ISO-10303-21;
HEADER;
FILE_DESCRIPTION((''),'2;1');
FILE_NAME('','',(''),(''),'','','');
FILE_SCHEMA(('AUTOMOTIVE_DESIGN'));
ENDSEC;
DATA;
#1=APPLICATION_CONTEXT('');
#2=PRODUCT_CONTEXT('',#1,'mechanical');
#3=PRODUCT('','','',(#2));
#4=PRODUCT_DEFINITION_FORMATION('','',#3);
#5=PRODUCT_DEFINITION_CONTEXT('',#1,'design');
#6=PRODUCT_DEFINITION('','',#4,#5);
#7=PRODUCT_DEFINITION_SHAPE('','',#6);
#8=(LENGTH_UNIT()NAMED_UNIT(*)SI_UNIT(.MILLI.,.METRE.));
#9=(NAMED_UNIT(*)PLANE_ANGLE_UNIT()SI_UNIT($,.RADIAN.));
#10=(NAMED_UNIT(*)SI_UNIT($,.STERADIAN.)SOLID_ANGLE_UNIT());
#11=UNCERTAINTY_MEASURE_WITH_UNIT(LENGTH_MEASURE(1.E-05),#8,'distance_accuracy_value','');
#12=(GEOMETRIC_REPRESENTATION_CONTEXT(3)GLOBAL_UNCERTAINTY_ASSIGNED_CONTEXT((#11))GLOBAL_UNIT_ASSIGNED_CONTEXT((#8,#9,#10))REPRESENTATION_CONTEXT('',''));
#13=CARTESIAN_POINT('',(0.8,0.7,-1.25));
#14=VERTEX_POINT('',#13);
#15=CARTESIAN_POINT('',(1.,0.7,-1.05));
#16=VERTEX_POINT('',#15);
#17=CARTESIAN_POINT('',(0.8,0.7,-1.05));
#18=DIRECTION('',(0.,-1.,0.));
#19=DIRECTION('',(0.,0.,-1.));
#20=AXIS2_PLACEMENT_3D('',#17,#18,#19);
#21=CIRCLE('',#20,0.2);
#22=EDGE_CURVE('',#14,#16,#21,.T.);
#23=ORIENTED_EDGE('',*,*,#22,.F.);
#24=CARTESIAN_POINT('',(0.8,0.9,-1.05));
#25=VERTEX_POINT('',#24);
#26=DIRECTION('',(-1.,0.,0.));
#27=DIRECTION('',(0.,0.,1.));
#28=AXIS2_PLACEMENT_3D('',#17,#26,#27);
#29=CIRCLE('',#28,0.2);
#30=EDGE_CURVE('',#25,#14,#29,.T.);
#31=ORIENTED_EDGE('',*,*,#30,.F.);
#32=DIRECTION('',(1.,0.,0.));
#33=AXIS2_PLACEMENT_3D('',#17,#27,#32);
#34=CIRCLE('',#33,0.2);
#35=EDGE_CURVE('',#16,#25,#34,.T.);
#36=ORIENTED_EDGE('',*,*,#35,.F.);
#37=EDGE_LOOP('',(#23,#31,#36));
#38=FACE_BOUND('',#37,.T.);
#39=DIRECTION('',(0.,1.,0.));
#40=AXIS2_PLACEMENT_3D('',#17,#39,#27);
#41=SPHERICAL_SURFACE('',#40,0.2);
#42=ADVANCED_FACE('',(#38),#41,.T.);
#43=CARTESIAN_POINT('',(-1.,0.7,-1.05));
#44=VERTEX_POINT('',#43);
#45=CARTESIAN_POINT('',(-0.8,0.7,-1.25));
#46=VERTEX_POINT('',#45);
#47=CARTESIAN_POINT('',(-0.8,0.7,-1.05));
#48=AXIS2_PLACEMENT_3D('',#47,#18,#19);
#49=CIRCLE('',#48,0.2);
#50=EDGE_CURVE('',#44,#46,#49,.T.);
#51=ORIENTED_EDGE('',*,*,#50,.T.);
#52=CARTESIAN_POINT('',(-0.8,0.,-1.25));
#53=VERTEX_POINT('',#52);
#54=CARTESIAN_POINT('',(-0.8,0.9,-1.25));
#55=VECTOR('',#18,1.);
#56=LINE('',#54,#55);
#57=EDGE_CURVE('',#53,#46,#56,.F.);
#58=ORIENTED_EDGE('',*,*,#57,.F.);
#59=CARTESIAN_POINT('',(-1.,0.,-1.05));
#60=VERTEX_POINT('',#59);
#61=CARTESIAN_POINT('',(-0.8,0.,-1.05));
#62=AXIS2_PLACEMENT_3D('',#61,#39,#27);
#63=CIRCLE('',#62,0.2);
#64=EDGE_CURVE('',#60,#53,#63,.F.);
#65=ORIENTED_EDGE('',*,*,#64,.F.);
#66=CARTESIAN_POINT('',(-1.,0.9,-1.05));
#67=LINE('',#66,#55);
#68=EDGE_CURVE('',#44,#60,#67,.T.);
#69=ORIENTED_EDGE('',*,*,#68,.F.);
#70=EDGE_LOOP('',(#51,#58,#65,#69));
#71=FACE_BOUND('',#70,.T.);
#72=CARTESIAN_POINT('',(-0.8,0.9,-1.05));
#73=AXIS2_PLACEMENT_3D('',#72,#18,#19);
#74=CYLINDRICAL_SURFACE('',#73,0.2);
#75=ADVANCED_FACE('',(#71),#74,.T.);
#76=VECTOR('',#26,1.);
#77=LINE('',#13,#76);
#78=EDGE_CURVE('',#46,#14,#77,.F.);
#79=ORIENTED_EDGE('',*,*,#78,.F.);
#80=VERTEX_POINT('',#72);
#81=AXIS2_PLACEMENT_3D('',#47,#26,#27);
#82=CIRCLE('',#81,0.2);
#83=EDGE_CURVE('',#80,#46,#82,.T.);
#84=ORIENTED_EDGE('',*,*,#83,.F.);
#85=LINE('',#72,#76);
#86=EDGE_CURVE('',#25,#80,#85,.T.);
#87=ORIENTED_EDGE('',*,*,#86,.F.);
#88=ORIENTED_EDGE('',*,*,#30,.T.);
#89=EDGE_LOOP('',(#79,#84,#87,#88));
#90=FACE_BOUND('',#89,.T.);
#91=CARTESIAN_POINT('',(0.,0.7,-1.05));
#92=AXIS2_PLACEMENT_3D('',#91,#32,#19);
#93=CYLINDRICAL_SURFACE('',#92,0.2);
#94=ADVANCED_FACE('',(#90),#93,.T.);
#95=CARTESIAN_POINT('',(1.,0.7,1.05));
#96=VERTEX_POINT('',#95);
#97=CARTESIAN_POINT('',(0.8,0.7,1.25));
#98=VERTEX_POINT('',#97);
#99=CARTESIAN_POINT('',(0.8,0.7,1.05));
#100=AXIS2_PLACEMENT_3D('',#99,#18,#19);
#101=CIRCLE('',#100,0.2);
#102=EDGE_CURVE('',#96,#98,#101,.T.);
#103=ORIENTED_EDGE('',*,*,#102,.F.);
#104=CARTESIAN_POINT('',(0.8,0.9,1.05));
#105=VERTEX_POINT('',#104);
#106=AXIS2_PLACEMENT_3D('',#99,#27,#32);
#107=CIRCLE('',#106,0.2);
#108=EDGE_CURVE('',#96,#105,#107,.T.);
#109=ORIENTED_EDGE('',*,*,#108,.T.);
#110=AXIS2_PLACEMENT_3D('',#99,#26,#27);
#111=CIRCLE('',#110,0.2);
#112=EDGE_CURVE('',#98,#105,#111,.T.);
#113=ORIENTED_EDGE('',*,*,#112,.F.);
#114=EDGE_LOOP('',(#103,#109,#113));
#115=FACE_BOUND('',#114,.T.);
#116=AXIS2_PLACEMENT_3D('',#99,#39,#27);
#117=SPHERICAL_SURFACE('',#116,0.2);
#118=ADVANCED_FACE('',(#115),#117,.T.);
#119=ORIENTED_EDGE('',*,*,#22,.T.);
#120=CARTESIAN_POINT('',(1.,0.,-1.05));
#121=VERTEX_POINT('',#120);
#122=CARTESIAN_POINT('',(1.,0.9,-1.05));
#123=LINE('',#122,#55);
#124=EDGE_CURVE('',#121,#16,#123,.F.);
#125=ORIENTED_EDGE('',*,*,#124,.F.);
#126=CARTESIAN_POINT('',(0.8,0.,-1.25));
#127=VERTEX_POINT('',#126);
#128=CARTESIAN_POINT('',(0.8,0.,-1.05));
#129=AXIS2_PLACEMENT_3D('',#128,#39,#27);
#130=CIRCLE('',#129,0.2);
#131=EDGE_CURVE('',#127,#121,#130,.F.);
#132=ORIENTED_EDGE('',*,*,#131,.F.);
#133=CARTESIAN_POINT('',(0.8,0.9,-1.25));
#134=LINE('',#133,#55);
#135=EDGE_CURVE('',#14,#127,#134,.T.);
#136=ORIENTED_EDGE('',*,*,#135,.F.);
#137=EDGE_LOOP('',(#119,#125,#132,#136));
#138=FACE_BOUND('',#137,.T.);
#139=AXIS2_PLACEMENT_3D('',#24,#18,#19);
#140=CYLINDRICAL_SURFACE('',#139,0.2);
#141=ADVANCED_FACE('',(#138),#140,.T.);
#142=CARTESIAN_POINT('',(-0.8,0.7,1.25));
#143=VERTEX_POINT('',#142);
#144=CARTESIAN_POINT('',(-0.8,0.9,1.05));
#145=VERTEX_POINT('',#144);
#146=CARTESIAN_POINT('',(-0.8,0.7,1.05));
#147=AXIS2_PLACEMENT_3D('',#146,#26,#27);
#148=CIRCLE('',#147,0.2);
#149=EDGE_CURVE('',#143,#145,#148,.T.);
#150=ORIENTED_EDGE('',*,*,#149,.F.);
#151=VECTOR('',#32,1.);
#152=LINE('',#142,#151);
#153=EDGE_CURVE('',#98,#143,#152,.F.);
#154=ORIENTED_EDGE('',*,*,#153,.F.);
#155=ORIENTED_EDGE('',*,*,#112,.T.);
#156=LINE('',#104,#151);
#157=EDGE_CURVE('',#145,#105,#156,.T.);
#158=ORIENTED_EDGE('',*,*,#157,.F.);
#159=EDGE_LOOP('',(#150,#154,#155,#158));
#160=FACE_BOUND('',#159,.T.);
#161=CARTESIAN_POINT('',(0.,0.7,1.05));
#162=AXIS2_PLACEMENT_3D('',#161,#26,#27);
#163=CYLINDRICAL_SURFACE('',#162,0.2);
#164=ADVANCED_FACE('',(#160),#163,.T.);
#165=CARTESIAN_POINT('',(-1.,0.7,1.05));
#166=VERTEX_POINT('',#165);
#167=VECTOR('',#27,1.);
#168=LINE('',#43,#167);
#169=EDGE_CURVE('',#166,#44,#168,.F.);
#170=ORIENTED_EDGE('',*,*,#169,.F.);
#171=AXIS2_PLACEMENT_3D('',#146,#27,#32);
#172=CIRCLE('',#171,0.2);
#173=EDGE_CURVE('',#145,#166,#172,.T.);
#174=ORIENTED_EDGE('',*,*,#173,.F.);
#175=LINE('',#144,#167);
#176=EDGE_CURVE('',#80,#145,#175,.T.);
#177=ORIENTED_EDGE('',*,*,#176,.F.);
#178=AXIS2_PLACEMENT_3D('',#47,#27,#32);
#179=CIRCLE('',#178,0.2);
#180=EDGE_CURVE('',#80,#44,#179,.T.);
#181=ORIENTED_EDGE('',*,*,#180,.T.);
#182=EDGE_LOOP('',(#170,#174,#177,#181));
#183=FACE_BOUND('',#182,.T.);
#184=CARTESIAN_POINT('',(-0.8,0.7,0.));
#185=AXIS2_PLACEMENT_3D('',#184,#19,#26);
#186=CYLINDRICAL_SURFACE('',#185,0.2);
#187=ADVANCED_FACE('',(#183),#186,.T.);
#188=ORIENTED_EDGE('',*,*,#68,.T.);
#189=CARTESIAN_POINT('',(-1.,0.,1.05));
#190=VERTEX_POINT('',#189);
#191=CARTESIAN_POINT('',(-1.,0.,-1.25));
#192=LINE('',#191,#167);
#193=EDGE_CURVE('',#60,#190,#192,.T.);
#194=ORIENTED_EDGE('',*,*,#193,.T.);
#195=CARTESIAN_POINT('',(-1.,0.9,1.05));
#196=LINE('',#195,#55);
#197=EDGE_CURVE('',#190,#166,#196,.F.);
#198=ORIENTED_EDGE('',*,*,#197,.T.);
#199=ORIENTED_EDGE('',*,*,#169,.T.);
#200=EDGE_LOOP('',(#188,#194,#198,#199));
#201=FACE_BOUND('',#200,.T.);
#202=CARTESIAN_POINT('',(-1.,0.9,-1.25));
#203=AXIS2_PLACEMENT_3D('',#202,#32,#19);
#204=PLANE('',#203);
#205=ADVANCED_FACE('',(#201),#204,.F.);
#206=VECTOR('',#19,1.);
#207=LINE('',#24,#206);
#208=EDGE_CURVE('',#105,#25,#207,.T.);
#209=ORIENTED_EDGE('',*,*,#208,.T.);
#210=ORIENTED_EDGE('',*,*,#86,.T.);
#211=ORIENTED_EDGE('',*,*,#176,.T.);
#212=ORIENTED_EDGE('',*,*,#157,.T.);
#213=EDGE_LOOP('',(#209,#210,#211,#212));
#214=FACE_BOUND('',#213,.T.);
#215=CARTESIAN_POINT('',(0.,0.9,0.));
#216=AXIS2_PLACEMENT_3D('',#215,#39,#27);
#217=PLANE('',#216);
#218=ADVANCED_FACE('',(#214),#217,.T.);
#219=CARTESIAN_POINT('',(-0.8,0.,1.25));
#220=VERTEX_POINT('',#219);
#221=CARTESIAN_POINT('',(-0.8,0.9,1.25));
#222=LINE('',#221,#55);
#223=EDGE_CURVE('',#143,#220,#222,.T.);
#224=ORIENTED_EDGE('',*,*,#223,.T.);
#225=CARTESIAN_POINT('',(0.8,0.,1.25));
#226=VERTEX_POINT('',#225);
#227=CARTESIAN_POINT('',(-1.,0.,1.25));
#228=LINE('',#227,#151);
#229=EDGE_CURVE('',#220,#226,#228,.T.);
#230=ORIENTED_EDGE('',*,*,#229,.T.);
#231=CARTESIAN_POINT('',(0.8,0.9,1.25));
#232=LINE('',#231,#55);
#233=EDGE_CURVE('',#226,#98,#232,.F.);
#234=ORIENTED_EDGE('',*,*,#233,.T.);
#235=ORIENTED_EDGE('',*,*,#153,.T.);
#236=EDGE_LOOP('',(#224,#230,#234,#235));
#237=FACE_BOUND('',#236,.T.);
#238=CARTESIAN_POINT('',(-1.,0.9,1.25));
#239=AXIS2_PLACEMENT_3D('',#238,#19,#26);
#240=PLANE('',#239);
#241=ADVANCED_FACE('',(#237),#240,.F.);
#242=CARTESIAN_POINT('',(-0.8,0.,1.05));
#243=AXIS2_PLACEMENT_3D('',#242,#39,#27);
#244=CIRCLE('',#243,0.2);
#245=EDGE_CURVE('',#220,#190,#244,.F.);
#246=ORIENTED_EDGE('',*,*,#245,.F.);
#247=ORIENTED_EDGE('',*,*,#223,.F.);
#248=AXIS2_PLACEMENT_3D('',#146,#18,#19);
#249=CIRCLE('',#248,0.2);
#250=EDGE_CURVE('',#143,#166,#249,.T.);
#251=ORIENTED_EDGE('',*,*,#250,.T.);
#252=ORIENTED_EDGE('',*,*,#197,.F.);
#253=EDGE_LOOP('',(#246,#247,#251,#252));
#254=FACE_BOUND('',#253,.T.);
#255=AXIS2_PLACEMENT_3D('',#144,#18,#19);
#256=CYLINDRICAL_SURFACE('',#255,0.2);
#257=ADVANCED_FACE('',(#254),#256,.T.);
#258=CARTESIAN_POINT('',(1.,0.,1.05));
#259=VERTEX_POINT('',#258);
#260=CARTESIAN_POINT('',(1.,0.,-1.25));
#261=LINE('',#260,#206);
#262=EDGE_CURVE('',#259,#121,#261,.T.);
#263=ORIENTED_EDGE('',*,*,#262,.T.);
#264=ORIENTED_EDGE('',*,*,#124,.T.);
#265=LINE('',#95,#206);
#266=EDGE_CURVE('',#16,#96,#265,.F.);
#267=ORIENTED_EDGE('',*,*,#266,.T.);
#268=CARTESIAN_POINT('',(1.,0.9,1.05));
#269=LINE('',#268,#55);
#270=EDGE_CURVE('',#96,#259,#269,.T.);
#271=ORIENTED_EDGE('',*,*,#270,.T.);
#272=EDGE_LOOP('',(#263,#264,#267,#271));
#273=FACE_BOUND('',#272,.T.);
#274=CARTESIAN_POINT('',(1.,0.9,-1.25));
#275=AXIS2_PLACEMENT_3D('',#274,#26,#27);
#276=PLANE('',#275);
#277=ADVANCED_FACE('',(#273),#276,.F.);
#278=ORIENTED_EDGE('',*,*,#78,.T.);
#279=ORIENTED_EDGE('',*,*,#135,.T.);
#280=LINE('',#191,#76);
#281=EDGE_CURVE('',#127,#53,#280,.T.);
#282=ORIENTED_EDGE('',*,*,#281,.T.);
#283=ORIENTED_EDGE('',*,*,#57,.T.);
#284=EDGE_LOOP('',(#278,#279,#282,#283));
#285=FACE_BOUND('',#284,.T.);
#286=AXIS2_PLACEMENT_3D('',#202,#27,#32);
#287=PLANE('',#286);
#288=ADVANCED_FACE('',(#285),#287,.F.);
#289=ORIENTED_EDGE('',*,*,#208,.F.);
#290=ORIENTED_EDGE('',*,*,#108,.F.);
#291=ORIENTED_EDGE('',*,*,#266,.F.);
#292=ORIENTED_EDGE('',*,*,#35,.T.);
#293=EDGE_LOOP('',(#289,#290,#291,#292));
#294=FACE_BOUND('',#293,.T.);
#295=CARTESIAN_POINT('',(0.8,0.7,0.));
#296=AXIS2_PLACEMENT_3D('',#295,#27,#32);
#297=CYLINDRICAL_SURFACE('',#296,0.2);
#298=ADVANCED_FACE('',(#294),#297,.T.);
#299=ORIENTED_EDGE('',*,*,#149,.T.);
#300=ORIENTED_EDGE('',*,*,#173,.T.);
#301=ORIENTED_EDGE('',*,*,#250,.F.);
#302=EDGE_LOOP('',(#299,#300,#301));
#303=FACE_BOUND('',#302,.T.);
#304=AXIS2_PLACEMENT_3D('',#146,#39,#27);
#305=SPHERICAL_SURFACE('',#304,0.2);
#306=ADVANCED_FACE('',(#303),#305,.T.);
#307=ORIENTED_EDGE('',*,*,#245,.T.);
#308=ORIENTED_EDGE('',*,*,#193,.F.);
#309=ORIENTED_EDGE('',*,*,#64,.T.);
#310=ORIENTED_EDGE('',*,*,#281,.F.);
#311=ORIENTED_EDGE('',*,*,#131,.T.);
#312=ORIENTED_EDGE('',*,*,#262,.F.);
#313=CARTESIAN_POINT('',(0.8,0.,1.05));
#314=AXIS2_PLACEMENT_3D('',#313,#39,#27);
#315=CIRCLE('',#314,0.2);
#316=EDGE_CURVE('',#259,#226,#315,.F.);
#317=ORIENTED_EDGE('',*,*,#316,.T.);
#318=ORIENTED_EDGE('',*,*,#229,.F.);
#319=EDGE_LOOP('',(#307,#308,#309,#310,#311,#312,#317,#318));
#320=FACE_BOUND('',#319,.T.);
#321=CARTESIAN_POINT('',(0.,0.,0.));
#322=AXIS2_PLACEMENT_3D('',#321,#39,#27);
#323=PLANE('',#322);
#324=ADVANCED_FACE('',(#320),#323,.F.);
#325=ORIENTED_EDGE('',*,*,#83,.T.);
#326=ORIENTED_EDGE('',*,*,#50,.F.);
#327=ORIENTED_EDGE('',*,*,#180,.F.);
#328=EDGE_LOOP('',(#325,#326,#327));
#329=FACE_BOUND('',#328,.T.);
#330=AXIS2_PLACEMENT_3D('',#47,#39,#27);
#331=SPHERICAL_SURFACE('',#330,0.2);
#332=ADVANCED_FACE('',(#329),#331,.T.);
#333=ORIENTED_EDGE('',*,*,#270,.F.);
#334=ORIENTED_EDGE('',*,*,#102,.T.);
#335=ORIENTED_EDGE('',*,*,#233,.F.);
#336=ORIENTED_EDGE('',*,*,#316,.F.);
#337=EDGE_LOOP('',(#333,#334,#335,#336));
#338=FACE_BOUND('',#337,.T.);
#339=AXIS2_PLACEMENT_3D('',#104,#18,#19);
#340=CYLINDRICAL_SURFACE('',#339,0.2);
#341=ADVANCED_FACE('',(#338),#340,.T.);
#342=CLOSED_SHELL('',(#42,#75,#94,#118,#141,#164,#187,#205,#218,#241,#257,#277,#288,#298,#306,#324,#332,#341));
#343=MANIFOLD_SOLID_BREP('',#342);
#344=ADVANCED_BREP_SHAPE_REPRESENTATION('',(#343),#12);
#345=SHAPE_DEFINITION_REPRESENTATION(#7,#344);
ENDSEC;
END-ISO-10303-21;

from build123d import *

# Parameters (mm, degrees)
BASES_W    = 2
BASES_H    = 2.5
BASE_DEPTH = 0.9
SIDEF_R    = 0.2
TOPF_R     = 0.2


with BuildPart() as part:
    # BaseS → Base (new body)
    with BuildSketch(Plane(origin=(0, 0, 0), x_dir=(1, 0, 0), z_dir=(0, 1, 0))):
        Rectangle(BASES_W, BASES_H)
    extrude(amount=BASE_DEPTH)

    # SideF
    sidef_edges = [part.edges().sort_by_distance(p)[0] for p in [
        (1, 0.45, 1.25),
        (-1, 0.45, 1.25),
        (-1, 0.45, -1.25),
        (1, 0.45, -1.25),
    ]]
    fillet(sidef_edges, radius=SIDEF_R)

    # TopF
    topf_edges = [part.edges().sort_by_distance(p)[0] for p in [
        (1, 0.9, 0),
        (0, 0.9, 1.25),
        (0, 0.9, -1.25),
        (-1, 0.9, 0),
        (-0.941421356, 0.9, -1.191421356),
        (-0.941421356, 0.9, 1.191421356),
        (0.941421356, 0.9, -1.191421356),
        (0.941421356, 0.9, 1.191421356),
    ]]
    fillet(topf_edges, radius=TOPF_R)


solid = part.part
